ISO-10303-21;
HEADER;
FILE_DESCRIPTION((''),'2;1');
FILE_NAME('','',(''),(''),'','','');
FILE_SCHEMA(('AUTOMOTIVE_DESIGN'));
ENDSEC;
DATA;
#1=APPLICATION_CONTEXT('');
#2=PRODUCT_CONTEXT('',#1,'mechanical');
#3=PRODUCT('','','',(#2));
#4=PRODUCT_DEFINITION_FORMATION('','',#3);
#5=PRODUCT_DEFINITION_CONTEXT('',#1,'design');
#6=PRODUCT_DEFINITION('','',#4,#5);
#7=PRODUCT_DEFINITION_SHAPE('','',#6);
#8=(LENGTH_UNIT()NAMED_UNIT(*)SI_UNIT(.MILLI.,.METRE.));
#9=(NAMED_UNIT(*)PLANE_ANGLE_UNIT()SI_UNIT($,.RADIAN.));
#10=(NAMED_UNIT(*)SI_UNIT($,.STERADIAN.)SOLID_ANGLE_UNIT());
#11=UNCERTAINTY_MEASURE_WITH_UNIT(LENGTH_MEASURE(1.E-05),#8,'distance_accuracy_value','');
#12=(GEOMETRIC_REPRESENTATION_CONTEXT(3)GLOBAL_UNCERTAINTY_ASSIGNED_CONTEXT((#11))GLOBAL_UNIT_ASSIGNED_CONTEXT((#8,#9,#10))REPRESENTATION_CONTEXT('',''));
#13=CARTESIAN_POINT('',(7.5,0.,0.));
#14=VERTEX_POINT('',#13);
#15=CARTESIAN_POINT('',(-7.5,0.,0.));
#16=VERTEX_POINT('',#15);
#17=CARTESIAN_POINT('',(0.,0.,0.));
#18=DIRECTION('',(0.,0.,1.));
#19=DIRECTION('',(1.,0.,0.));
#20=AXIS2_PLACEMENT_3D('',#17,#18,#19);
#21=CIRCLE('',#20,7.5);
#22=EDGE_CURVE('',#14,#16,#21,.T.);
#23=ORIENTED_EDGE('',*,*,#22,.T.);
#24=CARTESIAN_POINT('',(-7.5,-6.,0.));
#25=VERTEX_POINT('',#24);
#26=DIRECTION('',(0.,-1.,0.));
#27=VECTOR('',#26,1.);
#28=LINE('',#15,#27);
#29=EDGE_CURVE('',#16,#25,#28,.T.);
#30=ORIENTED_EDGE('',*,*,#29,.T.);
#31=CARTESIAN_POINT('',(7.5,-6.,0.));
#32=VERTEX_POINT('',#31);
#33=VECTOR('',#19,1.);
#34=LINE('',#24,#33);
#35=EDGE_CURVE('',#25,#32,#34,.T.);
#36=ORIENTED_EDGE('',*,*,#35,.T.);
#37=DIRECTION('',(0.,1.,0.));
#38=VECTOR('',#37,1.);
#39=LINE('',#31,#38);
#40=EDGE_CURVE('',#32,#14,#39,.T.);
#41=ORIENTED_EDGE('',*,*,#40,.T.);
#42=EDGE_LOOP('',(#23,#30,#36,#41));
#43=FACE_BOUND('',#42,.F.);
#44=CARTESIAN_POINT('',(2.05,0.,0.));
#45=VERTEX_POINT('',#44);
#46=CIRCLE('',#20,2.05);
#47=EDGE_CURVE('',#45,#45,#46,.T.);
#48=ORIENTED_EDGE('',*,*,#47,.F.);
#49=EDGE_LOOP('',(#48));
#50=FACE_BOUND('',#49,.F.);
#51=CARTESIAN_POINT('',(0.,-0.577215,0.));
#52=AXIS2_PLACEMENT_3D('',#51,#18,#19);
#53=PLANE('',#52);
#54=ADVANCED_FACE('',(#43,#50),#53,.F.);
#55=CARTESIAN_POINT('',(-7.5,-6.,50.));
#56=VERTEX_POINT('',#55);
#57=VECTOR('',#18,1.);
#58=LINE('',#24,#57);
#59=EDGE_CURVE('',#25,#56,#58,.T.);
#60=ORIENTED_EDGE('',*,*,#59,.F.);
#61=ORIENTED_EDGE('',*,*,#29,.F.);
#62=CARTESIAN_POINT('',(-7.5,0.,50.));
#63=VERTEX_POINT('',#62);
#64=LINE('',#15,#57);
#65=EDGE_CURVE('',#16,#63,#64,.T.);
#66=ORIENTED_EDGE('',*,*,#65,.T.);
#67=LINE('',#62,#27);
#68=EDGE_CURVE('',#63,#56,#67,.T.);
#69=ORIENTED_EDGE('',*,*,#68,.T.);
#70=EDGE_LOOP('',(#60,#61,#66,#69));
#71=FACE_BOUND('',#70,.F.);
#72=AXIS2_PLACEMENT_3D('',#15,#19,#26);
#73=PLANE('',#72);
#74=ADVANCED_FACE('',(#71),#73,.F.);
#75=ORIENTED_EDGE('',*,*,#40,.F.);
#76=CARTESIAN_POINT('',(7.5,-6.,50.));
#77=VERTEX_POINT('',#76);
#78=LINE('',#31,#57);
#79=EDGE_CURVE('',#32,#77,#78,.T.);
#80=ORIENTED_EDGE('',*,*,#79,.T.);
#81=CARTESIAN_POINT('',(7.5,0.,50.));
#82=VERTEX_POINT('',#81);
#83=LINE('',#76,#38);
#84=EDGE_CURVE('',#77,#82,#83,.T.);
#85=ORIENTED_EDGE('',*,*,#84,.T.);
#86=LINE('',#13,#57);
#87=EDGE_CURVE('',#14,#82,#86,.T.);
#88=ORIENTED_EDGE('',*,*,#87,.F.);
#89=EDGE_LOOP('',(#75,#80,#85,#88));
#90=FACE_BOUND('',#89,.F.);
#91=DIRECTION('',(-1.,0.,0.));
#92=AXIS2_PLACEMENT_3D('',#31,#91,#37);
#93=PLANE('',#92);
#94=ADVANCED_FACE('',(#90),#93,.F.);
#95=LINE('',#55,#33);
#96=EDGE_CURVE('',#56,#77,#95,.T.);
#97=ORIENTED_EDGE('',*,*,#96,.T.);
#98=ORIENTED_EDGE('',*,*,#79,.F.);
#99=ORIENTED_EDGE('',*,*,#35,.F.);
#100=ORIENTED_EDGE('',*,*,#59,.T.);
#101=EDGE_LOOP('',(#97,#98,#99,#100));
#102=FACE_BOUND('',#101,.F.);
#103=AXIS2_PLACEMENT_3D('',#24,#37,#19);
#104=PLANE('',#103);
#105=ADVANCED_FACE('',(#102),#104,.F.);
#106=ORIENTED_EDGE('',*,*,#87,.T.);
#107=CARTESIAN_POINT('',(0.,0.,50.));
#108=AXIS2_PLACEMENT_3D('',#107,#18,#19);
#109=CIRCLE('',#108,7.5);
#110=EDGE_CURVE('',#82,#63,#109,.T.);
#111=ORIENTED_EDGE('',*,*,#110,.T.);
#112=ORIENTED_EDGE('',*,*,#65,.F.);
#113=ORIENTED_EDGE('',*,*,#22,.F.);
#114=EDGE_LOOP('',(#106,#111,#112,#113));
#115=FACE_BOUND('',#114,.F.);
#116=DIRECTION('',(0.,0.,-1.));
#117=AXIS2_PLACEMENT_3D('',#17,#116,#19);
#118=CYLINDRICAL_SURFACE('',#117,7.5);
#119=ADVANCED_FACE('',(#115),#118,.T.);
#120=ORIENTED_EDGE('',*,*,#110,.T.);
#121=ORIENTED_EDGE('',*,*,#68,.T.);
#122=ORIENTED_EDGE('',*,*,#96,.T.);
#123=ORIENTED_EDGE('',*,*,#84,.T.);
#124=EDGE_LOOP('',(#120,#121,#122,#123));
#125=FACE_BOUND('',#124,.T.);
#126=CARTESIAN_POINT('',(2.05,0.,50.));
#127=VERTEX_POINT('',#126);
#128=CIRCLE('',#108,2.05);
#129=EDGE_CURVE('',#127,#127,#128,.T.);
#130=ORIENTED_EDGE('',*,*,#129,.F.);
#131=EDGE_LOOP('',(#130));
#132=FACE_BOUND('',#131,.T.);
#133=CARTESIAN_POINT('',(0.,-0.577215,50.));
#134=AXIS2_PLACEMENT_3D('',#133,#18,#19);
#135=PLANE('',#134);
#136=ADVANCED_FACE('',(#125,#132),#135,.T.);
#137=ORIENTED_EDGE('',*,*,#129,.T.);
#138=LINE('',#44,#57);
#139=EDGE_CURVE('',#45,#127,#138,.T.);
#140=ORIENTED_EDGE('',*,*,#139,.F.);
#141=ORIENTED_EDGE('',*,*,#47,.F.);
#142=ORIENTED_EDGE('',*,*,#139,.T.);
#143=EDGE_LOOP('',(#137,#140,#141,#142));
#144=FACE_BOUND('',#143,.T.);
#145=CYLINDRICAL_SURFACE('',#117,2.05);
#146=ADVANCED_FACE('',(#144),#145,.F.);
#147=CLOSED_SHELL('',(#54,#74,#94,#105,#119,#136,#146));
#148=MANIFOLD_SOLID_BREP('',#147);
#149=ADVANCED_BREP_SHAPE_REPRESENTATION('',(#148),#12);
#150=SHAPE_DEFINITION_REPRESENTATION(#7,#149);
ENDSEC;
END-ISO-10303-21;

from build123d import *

# Parameters (mm, degrees)
F0_R     = 2.05
F1_DEPTH = 50


with BuildPart() as f1:
    # F0 (on Top) → F1 (new body)
    with BuildSketch(Plane.XY):
        with BuildLine():
            ThreePointArc((7.5, 0), (0, 7.5), (-7.5, 0))
            Line((-7.5, 0), (-7.5, -6))
            Line((-7.5, -6), (7.5, -6))
            Line((7.5, -6), (7.5, 0))
        make_face()
        Circle(F0_R, mode=Mode.SUBTRACT)
    extrude(amount=F1_DEPTH)


solid = f1.part
